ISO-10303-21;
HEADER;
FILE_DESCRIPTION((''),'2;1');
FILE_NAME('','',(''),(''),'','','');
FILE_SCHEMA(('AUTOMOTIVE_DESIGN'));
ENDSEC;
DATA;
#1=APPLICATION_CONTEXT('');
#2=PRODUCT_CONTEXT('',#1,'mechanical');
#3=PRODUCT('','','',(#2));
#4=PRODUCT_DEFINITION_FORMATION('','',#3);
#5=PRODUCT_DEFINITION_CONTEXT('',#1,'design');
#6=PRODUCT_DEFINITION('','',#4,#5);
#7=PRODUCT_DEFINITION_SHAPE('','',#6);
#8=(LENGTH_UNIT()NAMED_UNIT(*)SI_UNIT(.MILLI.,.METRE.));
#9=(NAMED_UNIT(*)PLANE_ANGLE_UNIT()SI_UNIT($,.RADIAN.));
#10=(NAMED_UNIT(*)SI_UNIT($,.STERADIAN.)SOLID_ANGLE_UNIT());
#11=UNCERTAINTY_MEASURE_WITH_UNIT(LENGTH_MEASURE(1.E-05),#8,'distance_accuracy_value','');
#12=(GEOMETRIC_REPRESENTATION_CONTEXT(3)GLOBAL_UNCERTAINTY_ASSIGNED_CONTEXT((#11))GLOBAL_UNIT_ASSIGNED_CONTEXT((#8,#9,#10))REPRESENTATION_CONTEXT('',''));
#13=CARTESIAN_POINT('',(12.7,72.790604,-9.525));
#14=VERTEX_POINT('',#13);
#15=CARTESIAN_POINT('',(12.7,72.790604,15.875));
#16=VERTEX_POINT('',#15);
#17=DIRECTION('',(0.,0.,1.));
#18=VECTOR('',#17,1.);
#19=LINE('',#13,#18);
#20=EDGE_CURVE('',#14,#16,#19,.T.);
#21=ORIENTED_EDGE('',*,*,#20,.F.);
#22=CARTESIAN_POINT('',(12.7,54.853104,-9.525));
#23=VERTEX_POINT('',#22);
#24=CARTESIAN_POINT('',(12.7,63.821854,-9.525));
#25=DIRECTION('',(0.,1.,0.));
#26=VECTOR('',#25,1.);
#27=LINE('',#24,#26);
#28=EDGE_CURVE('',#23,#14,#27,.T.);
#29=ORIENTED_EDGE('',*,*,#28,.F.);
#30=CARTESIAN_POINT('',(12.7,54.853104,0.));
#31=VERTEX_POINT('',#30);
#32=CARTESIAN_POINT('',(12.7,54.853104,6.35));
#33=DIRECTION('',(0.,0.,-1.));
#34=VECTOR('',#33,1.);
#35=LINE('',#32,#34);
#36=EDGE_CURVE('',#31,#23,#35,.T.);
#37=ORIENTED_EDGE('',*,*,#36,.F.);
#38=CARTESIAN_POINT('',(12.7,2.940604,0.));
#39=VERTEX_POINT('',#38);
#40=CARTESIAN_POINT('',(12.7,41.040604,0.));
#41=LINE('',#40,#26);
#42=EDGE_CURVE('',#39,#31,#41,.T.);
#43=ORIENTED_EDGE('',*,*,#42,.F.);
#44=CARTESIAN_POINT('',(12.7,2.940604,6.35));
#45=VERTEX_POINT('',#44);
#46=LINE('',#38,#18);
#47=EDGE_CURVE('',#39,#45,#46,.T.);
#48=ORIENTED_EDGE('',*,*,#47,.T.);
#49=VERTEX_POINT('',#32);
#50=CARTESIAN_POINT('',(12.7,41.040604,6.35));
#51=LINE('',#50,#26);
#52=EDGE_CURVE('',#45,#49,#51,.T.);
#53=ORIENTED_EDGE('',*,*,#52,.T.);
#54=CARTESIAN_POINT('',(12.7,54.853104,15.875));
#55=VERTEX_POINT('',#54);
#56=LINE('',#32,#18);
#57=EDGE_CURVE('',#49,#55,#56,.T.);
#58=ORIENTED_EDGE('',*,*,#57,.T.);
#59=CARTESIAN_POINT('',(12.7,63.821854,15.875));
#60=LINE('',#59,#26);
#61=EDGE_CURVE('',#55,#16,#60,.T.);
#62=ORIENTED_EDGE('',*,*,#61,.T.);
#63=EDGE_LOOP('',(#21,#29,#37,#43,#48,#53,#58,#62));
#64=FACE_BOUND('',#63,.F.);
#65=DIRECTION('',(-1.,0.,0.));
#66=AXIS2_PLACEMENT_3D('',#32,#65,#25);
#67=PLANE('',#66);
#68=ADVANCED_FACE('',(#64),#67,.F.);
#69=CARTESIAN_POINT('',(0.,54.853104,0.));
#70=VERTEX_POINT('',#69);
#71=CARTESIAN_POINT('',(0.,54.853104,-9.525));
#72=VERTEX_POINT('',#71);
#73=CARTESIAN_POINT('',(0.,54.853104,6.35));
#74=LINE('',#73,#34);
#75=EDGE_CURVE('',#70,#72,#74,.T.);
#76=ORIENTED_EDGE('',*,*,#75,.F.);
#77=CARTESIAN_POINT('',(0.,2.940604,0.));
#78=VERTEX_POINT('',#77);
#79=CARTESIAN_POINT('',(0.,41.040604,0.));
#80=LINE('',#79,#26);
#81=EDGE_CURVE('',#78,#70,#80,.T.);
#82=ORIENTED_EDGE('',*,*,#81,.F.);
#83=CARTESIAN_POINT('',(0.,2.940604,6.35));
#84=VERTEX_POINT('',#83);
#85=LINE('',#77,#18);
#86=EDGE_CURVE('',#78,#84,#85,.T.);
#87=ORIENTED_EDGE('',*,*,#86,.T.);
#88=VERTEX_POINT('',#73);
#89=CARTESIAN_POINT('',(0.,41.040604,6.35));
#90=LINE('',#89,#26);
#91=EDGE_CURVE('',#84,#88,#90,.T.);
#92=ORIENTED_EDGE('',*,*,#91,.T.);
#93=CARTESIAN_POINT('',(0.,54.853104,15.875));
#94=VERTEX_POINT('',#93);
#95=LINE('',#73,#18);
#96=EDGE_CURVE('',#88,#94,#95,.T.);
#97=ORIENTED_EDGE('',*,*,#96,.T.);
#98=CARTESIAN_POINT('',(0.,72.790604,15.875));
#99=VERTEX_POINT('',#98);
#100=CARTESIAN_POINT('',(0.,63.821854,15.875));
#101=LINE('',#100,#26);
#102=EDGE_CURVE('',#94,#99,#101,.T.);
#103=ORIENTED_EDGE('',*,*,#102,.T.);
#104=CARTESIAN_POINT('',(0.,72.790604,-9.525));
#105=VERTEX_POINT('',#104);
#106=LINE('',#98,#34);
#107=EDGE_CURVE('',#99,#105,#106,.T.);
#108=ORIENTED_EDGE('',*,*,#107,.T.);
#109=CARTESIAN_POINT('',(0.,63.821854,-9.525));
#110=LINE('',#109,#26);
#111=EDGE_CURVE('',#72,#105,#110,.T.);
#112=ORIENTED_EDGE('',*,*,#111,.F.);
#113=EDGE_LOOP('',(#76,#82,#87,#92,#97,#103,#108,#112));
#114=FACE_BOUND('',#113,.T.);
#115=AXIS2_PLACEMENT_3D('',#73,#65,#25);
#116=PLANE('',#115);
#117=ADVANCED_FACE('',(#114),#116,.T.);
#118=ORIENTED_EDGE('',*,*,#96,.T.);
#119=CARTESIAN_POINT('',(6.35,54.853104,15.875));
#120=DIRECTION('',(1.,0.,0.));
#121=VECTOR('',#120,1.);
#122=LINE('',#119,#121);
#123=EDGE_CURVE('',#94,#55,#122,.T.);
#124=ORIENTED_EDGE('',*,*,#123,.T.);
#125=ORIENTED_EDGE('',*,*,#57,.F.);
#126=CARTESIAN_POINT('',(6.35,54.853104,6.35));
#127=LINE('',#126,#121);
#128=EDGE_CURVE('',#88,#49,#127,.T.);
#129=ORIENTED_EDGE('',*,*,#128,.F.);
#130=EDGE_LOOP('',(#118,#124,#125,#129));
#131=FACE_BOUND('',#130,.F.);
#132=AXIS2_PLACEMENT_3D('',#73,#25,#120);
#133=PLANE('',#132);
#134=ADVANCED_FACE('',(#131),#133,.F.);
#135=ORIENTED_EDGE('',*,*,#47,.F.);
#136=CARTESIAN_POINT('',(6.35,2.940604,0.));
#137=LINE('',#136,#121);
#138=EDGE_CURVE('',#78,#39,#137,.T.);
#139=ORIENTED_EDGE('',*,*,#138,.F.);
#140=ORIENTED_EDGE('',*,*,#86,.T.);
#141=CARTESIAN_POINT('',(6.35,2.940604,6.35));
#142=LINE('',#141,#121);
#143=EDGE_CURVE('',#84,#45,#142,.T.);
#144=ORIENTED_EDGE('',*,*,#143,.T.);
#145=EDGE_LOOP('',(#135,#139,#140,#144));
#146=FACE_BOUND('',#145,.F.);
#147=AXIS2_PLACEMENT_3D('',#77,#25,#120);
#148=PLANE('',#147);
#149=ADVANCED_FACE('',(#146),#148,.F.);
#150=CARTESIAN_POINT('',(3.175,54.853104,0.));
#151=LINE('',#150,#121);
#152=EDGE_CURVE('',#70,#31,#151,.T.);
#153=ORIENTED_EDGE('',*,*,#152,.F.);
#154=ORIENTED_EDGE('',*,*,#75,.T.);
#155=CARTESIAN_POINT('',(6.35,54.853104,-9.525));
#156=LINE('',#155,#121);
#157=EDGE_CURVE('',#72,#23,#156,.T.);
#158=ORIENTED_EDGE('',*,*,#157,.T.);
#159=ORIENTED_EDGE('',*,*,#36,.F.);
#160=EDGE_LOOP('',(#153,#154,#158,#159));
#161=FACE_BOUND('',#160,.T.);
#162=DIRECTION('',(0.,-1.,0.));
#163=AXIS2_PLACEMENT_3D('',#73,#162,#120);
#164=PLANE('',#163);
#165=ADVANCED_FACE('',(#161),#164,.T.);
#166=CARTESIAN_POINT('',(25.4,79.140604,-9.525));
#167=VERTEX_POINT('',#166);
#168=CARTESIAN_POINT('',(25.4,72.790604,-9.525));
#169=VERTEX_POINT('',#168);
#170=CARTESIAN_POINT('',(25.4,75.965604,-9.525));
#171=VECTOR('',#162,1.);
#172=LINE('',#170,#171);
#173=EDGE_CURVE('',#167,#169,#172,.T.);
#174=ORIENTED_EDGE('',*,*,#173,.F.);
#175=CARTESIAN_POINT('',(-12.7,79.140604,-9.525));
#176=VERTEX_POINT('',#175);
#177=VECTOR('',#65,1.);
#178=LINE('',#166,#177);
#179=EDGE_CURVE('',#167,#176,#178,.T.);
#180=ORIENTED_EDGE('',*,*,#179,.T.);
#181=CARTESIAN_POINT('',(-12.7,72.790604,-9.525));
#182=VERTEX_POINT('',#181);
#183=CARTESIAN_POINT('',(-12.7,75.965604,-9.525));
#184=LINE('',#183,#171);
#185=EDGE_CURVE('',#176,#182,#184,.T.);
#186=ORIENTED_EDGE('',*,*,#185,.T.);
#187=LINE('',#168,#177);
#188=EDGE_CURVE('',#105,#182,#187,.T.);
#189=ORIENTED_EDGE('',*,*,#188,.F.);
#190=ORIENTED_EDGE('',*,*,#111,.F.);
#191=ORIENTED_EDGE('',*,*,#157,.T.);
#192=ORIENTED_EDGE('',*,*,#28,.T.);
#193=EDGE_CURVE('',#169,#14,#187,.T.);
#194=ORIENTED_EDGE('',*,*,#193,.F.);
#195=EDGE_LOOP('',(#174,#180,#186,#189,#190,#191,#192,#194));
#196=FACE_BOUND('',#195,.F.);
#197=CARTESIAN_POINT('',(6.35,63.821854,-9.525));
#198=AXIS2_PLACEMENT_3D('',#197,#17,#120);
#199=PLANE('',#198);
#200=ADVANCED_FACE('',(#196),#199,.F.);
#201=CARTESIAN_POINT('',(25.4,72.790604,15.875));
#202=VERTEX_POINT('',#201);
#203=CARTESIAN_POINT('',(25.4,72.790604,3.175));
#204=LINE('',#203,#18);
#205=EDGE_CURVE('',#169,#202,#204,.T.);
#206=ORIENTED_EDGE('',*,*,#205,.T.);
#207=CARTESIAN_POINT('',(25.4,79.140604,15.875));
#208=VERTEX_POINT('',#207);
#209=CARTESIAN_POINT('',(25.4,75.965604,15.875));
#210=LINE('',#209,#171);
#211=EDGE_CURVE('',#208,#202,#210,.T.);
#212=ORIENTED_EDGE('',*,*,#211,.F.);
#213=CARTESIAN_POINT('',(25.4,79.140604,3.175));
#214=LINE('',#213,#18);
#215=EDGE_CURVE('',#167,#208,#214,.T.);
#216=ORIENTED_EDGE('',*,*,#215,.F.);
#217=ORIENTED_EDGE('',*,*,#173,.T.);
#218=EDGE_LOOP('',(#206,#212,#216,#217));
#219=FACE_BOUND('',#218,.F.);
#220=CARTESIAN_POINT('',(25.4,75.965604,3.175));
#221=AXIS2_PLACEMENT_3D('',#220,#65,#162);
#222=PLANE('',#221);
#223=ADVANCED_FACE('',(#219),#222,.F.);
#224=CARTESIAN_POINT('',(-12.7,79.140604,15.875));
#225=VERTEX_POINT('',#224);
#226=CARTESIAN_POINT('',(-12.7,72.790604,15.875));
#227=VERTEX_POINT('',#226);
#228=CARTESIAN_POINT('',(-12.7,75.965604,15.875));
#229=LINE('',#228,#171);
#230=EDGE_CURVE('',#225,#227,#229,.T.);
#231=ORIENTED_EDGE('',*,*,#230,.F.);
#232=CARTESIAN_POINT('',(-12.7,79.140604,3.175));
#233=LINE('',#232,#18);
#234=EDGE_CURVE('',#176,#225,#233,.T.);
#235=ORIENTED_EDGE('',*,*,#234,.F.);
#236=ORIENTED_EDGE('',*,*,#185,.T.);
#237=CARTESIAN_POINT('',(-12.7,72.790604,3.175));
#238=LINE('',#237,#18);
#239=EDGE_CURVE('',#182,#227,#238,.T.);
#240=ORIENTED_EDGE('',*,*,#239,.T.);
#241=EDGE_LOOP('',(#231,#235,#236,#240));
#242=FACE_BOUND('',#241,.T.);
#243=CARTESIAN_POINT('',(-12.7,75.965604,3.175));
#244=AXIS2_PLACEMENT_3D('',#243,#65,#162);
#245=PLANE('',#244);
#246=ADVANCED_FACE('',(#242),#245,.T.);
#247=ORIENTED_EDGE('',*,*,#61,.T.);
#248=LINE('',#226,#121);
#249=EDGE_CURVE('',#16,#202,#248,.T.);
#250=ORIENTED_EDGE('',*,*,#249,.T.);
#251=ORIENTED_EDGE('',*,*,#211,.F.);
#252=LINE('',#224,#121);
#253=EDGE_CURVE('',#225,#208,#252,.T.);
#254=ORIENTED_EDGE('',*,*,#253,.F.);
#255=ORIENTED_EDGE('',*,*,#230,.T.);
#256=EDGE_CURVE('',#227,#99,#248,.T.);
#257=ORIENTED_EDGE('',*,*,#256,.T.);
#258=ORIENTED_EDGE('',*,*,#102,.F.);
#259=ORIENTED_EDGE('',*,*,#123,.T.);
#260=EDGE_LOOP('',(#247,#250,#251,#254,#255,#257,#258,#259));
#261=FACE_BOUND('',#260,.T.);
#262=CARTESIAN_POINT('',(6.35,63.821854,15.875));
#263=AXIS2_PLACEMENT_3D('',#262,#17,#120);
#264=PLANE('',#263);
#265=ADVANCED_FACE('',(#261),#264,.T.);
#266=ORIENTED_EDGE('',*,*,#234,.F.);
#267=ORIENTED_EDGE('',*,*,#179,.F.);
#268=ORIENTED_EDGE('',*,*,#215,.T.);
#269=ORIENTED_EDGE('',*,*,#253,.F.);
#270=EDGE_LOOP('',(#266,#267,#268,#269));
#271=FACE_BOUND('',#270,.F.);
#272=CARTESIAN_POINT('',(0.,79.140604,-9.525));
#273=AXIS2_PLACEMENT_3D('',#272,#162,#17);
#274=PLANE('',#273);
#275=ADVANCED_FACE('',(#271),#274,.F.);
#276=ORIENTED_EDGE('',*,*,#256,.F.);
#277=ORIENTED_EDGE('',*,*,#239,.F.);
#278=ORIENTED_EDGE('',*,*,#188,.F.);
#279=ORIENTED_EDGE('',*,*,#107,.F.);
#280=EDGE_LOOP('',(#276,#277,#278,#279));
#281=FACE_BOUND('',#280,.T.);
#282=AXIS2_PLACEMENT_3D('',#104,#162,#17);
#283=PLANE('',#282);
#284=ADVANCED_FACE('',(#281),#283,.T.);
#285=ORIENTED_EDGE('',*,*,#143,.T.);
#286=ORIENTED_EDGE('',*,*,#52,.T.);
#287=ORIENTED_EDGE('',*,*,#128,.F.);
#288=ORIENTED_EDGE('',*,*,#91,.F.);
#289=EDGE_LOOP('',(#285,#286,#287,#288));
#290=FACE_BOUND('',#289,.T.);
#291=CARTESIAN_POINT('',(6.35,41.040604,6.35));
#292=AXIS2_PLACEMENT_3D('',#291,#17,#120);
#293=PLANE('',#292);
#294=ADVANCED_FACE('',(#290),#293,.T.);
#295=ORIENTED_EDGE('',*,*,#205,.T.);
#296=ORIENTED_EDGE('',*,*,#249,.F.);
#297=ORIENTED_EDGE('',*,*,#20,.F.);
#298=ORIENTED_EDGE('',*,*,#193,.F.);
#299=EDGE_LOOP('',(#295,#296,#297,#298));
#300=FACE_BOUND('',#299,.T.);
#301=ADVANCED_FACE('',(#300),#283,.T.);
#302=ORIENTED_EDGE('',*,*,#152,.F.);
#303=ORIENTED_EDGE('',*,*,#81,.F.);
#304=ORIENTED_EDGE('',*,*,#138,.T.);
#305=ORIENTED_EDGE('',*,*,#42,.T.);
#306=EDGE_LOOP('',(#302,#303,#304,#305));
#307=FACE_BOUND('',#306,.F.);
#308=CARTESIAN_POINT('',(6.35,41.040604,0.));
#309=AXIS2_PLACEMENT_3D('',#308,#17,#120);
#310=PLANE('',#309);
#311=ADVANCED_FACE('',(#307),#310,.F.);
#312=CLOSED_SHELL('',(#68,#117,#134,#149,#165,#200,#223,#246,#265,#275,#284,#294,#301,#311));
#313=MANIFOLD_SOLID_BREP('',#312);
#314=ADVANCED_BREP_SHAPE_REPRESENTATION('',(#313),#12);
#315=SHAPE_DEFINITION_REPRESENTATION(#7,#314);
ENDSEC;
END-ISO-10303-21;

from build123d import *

# Parameters (mm, degrees)
F0_W          = 12.7
F0_H          = 76.2
F1_DEPTH      = 6.35
F2_W          = 6.35
F2_H          = 25.4
F3_DEPTH      = 12.7
F3_DEPTH_BACK = 25.4
F4_W          = 12.7
F4_H          = 17.9375
F5_DEPTH      = 9.525
F5_DEPTH_BACK = 15.875


with BuildPart() as f1:
    # F0 (on Top) → F1 (new body)
    with BuildSketch(Plane.XY):
        with Locations((6.35, 41.040604)):
            Rectangle(F0_W, F0_H)
    extrude(amount=F1_DEPTH)

    # F2 (on face) → F3 (join, two sides)
    with BuildSketch(Plane(origin=(0, 0, 0), x_dir=(0, -1, 0), z_dir=(-1, 0, 0))) as f3_sk:
        with Locations((-75.965604, 3.175)):
            Rectangle(F2_W, F2_H)
    extrude(amount=F3_DEPTH)
    extrude(f3_sk.sketch, amount=-F3_DEPTH_BACK)

    # F4 (on face) → F5 (join, two sides)
    with BuildSketch(Plane.XY.offset(6.35)) as f5_sk:
        with Locations((6.35, 63.821854)):
            Rectangle(F4_W, F4_H)
    extrude(amount=F5_DEPTH)
    extrude(f5_sk.sketch, amount=-F5_DEPTH_BACK)


solid = f1.part
